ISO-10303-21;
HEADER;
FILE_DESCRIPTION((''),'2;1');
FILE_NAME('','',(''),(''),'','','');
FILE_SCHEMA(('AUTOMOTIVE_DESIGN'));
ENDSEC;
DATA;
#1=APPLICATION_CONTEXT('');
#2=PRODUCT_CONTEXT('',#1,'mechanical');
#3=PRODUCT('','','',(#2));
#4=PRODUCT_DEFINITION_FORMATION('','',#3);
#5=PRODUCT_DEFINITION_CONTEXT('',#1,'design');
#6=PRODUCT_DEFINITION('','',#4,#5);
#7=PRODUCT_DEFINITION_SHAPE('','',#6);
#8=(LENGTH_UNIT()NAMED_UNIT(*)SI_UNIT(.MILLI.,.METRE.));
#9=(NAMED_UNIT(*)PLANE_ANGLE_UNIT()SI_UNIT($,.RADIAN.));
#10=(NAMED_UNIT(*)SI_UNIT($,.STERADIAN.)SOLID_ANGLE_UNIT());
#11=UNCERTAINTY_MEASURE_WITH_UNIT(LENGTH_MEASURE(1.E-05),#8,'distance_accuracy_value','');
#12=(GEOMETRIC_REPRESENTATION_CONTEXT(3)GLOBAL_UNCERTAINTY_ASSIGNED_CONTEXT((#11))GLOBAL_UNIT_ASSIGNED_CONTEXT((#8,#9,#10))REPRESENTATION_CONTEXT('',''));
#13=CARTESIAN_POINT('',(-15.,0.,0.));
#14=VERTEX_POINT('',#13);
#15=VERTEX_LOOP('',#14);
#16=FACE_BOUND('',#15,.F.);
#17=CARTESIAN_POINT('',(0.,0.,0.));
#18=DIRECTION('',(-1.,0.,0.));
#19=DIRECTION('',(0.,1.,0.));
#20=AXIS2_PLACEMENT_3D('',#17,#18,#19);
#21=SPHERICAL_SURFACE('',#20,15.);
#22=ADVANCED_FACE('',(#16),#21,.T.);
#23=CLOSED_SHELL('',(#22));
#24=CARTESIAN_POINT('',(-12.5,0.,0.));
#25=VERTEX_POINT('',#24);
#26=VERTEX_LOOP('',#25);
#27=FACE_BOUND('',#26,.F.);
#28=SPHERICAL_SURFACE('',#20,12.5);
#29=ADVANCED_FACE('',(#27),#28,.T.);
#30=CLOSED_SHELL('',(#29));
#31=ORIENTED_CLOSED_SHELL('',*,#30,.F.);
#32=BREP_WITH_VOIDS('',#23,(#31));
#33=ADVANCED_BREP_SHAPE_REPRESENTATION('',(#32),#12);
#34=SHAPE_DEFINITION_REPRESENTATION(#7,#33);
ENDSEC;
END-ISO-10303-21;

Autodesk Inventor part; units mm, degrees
ref_plane "YZ Plane" through (0, 0, 0) normal (1, 0, 0) x (0, 1, 0)
ref_plane "XZ Plane" through (0, 0, 0) normal (0, 1, 0) x (-1, 0, 0)
ref_plane "XY Plane" through (0, 0, 0) normal (0, 0, 1) x (1, 0, 0)
sketch "Sketch1" plane through (0, 0, 0) normal (0, 0, 1) x (1, 0, 0)
  arc A0 (15, 0) -> (-15, 0) centre (0, 0) ccw
  arc A1 (12.5, 0) -> (-12.5, 0) centre (0, 0) ccw
  line L0 (-18.0373, 0) -> (31.5731, 0)
  dimension "d0" = 30
  dimension "d1" = 25
revolve "Revolution1" add sketch "Sketch1" angle 360 about axis through (-18.0373, 0, 0) along (1, 0, 0) contours L0 A1 A0
